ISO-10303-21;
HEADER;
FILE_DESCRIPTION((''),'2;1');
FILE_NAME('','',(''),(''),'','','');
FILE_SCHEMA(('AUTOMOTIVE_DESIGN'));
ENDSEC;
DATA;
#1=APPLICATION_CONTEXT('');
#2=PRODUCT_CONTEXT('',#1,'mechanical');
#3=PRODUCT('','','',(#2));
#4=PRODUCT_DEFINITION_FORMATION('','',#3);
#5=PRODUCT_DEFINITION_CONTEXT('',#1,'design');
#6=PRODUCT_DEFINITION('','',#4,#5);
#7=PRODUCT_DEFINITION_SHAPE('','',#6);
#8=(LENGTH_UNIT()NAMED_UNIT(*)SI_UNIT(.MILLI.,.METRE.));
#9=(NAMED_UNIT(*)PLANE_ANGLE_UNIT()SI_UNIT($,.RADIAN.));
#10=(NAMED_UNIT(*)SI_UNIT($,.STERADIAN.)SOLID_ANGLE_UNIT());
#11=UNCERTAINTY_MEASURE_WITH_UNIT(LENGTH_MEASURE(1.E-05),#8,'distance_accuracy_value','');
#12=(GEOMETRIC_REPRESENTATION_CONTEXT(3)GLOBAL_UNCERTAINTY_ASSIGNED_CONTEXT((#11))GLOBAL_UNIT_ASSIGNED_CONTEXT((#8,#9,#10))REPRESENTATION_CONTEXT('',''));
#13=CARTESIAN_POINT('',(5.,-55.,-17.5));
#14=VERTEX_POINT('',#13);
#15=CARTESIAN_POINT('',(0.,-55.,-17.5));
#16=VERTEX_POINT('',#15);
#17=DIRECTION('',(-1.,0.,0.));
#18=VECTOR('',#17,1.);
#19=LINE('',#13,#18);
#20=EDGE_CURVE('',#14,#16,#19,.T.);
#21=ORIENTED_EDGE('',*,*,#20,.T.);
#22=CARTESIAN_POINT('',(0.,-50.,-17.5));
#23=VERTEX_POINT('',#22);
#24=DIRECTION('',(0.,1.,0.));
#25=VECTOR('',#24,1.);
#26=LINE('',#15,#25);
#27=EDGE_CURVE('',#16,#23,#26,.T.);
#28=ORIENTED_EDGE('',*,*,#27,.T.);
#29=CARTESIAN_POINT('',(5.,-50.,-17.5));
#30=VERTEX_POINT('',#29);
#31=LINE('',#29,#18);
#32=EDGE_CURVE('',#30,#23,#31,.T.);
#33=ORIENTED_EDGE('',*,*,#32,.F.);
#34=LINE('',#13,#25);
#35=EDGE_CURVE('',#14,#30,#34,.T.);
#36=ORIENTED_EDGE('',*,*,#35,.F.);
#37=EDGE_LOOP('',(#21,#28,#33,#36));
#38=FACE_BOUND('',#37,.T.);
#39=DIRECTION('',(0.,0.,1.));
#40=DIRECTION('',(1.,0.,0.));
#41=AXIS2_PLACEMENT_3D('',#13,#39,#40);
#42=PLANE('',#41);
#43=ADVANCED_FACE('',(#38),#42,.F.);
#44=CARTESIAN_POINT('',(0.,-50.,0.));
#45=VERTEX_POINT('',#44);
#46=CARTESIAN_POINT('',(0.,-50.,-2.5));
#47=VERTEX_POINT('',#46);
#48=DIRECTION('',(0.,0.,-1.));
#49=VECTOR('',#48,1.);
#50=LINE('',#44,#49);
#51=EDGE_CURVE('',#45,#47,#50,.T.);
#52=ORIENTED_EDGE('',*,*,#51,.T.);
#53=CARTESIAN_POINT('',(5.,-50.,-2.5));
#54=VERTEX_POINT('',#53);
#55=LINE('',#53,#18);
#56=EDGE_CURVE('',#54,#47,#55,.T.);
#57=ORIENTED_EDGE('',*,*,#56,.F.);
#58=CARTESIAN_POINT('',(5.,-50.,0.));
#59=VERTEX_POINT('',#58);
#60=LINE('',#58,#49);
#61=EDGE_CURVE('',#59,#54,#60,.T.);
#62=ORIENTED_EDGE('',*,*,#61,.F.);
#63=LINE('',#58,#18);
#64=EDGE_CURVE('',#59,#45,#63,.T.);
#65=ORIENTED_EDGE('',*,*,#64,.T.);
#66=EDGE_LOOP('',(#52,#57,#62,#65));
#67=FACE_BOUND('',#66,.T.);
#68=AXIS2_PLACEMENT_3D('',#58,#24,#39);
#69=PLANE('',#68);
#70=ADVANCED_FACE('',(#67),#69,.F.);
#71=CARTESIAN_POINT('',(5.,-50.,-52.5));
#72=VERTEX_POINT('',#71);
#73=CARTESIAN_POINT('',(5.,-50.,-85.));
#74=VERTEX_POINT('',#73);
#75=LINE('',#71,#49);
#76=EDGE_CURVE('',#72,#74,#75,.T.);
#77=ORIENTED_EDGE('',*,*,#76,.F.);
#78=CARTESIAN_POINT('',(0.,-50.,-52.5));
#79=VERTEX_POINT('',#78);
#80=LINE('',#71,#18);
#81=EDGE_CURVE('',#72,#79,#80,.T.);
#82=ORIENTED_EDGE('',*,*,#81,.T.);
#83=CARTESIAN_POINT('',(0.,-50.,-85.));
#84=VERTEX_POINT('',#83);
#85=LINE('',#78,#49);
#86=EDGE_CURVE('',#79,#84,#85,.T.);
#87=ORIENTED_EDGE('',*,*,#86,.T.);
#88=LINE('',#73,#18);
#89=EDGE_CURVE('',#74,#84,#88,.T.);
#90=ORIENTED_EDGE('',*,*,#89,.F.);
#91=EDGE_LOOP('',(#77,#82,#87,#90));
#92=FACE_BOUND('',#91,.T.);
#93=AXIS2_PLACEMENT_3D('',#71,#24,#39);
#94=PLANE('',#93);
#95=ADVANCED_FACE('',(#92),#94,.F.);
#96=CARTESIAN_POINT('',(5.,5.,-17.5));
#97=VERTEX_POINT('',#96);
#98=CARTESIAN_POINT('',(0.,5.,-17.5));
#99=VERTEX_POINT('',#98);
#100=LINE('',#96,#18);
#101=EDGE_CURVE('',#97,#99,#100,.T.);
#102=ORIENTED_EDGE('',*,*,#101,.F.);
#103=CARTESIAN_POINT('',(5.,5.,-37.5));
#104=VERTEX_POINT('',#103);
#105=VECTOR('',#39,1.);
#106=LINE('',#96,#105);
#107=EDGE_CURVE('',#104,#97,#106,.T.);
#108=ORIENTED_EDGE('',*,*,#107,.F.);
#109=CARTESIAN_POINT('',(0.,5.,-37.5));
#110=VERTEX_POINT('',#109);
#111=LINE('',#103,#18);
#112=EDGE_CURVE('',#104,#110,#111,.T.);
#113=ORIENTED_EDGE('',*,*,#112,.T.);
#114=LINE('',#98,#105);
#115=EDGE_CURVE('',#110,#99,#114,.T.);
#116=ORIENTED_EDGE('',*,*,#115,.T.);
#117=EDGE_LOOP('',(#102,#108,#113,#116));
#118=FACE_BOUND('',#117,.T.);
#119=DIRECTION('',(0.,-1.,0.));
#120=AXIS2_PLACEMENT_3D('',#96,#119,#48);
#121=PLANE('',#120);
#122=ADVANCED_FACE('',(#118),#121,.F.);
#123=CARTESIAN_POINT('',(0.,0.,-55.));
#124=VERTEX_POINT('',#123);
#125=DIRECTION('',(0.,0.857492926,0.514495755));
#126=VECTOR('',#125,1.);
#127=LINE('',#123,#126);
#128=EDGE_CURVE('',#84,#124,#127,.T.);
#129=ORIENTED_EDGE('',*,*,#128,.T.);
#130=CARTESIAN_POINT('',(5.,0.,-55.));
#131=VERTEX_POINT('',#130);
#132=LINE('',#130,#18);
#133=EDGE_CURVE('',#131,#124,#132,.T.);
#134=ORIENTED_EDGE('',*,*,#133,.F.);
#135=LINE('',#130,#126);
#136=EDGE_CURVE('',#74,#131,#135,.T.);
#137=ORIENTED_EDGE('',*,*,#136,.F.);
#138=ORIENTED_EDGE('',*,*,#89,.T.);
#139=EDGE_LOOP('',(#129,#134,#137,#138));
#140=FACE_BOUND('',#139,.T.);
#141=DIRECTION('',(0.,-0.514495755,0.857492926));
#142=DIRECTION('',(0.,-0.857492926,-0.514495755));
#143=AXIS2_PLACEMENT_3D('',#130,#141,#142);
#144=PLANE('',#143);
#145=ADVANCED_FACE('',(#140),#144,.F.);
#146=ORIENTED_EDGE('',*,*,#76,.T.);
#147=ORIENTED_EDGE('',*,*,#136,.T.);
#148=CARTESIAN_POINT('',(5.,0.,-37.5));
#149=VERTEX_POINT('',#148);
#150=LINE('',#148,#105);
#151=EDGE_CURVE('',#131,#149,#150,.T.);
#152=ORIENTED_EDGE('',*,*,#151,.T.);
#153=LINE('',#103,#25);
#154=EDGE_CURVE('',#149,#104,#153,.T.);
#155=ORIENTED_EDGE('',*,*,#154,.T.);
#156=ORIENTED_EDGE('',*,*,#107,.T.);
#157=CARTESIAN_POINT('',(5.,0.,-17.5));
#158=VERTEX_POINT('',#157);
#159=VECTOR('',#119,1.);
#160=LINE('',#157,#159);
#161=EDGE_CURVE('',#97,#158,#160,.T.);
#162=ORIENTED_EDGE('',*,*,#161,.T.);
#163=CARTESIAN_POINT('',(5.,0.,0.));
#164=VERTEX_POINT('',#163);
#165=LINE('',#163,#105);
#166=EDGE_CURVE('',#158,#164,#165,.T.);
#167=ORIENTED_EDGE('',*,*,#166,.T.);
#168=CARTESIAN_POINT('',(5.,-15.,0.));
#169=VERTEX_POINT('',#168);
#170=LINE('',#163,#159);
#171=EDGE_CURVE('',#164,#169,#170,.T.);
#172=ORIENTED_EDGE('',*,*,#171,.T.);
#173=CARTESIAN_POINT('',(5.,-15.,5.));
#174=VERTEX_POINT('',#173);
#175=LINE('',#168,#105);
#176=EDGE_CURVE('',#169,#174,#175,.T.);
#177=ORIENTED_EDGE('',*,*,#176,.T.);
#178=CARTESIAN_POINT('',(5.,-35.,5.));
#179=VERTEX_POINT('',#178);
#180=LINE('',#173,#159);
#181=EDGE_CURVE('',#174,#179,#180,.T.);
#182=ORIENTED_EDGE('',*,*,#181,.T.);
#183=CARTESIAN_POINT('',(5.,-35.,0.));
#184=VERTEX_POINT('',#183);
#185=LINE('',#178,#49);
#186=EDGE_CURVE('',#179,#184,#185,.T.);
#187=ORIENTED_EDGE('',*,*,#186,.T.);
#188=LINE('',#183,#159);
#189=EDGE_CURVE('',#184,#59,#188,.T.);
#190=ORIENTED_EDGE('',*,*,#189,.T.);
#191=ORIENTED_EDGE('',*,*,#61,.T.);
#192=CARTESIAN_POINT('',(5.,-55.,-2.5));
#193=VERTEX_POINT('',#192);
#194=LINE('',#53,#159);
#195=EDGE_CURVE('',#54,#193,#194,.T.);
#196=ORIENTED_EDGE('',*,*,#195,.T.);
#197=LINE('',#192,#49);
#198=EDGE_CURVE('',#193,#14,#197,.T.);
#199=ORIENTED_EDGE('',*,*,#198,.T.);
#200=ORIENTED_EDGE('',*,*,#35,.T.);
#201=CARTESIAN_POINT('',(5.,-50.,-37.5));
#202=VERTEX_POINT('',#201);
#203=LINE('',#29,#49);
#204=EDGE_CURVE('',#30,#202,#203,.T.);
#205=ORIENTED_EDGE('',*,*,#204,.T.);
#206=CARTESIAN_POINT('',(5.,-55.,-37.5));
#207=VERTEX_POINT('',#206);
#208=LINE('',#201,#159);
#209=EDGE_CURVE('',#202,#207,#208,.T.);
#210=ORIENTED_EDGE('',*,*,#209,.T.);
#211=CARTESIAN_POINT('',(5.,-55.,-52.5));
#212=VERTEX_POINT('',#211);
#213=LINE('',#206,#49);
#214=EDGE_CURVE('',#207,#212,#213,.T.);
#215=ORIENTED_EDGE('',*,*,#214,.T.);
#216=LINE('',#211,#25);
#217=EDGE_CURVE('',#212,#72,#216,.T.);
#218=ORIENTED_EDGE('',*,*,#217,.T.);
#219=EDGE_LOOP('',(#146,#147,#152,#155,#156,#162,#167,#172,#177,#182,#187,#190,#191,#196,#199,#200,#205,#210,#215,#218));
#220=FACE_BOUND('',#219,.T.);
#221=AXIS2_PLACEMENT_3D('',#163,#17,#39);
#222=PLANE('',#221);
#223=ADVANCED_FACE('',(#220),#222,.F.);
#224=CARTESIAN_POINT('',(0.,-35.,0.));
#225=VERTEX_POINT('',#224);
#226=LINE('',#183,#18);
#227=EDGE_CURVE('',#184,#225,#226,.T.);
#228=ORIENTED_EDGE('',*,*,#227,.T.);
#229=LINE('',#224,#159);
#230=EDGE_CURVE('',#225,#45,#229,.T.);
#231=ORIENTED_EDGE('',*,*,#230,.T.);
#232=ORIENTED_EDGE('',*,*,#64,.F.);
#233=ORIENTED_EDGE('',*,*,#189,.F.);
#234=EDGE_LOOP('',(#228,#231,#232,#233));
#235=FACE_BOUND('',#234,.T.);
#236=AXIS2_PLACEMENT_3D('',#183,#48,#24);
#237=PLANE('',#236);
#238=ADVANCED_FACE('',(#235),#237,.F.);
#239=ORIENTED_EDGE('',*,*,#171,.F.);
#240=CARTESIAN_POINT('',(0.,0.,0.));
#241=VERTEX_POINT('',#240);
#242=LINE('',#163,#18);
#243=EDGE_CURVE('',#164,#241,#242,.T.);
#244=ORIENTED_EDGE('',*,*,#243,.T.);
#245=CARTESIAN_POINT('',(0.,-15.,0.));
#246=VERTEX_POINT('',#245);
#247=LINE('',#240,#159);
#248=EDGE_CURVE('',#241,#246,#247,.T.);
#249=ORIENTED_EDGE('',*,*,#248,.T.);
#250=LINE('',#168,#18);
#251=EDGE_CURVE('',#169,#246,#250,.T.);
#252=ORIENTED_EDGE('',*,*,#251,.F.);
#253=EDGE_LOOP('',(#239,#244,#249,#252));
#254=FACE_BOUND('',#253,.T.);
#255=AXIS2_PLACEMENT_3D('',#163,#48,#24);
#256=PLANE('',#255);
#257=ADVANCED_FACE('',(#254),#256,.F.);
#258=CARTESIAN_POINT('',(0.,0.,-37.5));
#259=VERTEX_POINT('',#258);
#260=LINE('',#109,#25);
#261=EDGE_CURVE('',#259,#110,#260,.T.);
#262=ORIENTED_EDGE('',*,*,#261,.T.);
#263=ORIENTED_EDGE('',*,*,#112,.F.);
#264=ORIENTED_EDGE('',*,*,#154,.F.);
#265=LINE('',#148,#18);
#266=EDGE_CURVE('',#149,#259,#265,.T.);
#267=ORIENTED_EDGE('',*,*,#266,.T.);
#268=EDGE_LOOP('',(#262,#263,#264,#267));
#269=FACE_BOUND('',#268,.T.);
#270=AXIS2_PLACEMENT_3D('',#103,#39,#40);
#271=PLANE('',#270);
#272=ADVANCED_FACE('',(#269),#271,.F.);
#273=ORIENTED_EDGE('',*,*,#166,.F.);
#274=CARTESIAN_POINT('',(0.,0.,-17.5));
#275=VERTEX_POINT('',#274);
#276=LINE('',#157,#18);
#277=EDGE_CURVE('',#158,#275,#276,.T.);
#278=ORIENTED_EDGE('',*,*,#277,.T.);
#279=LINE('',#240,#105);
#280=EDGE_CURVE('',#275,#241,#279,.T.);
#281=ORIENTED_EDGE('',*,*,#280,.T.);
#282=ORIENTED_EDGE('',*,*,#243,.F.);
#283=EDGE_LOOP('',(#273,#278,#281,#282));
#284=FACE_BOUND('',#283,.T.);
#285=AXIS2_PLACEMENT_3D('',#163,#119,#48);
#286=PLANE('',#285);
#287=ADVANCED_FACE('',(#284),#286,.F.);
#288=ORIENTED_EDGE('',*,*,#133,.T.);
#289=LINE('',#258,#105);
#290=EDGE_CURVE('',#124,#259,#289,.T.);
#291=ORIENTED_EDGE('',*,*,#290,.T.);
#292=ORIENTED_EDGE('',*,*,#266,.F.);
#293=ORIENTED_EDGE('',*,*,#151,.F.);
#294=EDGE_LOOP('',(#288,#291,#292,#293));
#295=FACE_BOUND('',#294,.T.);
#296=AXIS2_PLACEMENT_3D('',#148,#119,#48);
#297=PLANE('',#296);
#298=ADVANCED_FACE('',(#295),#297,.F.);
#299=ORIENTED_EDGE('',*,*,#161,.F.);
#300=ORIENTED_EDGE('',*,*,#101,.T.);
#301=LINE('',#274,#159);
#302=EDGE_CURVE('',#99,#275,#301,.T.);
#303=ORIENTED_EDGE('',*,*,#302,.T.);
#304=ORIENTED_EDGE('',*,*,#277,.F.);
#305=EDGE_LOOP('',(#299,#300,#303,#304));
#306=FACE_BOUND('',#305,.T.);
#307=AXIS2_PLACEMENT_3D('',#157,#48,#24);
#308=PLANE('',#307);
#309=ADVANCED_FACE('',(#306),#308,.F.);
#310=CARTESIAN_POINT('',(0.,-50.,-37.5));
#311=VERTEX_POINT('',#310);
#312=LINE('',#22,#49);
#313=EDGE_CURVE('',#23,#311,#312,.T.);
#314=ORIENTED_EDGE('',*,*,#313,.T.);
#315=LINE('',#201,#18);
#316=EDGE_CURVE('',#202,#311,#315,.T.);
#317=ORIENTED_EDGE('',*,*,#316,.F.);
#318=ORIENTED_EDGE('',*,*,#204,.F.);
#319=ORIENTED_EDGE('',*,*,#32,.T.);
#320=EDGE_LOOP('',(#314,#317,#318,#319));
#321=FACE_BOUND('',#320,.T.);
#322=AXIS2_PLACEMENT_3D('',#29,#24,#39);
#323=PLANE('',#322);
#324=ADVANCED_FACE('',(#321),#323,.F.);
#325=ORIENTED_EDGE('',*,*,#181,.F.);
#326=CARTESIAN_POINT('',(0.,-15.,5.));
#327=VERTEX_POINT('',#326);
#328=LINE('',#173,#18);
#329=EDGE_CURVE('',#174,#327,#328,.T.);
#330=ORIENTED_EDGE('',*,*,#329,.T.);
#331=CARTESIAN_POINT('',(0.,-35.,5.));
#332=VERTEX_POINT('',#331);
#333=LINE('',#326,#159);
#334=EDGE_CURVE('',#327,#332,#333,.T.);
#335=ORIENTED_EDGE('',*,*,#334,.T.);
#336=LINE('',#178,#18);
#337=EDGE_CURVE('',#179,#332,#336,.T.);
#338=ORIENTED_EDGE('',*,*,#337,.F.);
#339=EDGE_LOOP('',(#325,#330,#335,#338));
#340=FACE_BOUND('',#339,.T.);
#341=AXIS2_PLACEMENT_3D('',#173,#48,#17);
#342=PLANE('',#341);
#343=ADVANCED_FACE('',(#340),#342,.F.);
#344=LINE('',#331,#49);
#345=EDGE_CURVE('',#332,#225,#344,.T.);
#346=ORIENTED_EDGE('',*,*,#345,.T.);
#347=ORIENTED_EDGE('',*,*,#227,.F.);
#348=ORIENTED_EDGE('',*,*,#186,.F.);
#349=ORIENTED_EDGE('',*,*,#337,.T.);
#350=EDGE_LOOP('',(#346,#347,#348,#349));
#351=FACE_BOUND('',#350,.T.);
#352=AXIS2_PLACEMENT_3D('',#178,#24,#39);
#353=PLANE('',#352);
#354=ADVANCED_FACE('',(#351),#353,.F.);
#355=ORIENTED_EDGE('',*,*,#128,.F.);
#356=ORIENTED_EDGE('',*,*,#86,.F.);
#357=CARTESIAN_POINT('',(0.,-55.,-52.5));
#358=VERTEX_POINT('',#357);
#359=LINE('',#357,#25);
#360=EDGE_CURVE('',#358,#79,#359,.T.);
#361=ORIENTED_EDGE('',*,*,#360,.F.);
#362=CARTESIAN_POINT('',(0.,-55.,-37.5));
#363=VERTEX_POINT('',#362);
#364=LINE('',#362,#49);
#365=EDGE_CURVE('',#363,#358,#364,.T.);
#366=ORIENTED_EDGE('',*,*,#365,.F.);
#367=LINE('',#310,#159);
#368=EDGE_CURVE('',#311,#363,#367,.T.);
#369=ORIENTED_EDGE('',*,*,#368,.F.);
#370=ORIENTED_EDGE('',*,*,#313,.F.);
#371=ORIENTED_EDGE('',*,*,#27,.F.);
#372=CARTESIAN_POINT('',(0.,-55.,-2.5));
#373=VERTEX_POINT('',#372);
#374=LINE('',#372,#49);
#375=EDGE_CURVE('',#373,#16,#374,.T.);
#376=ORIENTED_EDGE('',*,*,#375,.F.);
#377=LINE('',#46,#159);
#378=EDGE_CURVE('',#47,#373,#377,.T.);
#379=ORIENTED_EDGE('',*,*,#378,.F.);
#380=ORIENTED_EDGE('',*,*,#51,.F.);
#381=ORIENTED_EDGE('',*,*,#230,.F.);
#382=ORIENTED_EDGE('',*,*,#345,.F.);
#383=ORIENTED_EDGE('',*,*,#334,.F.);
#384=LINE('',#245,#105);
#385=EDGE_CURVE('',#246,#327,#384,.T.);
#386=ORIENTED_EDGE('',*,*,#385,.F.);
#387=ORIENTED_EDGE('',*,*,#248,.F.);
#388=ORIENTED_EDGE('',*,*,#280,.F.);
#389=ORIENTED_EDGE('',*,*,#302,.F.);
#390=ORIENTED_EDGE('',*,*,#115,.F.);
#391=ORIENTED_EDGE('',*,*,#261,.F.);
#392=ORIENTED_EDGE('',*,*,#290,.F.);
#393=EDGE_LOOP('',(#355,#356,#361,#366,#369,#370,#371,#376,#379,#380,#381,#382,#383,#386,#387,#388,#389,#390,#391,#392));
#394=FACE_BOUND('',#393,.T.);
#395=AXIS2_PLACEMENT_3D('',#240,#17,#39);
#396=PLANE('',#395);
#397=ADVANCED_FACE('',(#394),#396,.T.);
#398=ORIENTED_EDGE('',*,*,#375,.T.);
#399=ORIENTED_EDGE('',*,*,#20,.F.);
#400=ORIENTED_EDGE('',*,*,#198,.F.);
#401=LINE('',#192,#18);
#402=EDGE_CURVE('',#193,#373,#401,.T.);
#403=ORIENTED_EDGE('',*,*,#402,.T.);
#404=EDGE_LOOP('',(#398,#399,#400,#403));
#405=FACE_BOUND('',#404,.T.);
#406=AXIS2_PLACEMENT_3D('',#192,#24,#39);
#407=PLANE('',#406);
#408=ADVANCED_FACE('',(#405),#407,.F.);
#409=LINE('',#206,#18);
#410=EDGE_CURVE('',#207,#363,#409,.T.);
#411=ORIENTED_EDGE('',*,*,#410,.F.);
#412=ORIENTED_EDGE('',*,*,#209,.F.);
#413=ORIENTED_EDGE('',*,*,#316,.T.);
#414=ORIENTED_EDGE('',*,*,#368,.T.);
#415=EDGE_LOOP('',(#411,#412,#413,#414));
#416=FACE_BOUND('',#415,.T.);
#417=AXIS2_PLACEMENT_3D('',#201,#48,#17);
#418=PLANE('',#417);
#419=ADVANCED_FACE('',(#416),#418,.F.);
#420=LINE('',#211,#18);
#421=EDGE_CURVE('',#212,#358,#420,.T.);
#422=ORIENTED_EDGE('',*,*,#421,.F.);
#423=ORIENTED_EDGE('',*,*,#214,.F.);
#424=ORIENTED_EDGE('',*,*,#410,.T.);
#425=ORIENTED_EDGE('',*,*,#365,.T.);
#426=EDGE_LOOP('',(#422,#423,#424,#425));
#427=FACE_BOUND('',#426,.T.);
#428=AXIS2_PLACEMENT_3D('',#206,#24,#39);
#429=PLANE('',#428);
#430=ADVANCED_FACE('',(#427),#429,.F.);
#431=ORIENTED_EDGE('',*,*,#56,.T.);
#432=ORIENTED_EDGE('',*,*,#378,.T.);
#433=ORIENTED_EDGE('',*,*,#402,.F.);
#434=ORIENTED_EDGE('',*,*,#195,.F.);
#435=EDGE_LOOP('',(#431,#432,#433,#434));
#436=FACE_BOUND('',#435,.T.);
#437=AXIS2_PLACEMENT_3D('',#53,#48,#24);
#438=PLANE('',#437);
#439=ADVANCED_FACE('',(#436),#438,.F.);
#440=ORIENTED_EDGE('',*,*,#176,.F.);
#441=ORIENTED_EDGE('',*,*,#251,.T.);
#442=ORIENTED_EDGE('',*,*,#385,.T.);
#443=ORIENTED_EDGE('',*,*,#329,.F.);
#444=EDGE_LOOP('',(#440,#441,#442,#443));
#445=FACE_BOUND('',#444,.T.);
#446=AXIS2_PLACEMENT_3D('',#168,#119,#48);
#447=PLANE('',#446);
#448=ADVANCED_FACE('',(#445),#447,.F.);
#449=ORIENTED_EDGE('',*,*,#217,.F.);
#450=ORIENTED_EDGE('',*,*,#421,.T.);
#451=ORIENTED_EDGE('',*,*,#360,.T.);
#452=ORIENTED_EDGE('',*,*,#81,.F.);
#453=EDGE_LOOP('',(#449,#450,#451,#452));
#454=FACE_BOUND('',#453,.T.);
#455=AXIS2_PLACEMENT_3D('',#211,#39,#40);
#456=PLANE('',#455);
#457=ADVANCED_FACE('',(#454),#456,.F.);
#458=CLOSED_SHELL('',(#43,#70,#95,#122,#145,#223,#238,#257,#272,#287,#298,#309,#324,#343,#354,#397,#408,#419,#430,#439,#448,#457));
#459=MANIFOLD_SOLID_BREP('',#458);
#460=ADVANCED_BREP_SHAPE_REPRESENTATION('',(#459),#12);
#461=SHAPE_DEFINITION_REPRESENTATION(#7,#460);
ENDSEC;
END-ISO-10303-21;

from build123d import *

# Parameters (mm, degrees)
BOSS_EXTRU_1_DEPTH = 5


with BuildPart() as part:
    # Esquisse1 → Boss.-Extru.1 (new body)
    with BuildSketch(Plane(origin=(0, 0, 0), x_dir=(0, 0, -1), z_dir=(1, 0, 0))):
        Polygon((55, 0), (85, -50), (52.5, -50), (52.5, -55), (37.5, -55), (37.5, -50), (17.5, -50), (17.5, -55), (2.5, -55), (2.5, -50), (0, -50), (0, -35), (-5, -35), (-5, -15), (0, -15), (0, 0), (17.5, 0), (17.5, 5), (37.5, 5), (37.5, 0), align=None)
    extrude(amount=BOSS_EXTRU_1_DEPTH)


solid = part.part
